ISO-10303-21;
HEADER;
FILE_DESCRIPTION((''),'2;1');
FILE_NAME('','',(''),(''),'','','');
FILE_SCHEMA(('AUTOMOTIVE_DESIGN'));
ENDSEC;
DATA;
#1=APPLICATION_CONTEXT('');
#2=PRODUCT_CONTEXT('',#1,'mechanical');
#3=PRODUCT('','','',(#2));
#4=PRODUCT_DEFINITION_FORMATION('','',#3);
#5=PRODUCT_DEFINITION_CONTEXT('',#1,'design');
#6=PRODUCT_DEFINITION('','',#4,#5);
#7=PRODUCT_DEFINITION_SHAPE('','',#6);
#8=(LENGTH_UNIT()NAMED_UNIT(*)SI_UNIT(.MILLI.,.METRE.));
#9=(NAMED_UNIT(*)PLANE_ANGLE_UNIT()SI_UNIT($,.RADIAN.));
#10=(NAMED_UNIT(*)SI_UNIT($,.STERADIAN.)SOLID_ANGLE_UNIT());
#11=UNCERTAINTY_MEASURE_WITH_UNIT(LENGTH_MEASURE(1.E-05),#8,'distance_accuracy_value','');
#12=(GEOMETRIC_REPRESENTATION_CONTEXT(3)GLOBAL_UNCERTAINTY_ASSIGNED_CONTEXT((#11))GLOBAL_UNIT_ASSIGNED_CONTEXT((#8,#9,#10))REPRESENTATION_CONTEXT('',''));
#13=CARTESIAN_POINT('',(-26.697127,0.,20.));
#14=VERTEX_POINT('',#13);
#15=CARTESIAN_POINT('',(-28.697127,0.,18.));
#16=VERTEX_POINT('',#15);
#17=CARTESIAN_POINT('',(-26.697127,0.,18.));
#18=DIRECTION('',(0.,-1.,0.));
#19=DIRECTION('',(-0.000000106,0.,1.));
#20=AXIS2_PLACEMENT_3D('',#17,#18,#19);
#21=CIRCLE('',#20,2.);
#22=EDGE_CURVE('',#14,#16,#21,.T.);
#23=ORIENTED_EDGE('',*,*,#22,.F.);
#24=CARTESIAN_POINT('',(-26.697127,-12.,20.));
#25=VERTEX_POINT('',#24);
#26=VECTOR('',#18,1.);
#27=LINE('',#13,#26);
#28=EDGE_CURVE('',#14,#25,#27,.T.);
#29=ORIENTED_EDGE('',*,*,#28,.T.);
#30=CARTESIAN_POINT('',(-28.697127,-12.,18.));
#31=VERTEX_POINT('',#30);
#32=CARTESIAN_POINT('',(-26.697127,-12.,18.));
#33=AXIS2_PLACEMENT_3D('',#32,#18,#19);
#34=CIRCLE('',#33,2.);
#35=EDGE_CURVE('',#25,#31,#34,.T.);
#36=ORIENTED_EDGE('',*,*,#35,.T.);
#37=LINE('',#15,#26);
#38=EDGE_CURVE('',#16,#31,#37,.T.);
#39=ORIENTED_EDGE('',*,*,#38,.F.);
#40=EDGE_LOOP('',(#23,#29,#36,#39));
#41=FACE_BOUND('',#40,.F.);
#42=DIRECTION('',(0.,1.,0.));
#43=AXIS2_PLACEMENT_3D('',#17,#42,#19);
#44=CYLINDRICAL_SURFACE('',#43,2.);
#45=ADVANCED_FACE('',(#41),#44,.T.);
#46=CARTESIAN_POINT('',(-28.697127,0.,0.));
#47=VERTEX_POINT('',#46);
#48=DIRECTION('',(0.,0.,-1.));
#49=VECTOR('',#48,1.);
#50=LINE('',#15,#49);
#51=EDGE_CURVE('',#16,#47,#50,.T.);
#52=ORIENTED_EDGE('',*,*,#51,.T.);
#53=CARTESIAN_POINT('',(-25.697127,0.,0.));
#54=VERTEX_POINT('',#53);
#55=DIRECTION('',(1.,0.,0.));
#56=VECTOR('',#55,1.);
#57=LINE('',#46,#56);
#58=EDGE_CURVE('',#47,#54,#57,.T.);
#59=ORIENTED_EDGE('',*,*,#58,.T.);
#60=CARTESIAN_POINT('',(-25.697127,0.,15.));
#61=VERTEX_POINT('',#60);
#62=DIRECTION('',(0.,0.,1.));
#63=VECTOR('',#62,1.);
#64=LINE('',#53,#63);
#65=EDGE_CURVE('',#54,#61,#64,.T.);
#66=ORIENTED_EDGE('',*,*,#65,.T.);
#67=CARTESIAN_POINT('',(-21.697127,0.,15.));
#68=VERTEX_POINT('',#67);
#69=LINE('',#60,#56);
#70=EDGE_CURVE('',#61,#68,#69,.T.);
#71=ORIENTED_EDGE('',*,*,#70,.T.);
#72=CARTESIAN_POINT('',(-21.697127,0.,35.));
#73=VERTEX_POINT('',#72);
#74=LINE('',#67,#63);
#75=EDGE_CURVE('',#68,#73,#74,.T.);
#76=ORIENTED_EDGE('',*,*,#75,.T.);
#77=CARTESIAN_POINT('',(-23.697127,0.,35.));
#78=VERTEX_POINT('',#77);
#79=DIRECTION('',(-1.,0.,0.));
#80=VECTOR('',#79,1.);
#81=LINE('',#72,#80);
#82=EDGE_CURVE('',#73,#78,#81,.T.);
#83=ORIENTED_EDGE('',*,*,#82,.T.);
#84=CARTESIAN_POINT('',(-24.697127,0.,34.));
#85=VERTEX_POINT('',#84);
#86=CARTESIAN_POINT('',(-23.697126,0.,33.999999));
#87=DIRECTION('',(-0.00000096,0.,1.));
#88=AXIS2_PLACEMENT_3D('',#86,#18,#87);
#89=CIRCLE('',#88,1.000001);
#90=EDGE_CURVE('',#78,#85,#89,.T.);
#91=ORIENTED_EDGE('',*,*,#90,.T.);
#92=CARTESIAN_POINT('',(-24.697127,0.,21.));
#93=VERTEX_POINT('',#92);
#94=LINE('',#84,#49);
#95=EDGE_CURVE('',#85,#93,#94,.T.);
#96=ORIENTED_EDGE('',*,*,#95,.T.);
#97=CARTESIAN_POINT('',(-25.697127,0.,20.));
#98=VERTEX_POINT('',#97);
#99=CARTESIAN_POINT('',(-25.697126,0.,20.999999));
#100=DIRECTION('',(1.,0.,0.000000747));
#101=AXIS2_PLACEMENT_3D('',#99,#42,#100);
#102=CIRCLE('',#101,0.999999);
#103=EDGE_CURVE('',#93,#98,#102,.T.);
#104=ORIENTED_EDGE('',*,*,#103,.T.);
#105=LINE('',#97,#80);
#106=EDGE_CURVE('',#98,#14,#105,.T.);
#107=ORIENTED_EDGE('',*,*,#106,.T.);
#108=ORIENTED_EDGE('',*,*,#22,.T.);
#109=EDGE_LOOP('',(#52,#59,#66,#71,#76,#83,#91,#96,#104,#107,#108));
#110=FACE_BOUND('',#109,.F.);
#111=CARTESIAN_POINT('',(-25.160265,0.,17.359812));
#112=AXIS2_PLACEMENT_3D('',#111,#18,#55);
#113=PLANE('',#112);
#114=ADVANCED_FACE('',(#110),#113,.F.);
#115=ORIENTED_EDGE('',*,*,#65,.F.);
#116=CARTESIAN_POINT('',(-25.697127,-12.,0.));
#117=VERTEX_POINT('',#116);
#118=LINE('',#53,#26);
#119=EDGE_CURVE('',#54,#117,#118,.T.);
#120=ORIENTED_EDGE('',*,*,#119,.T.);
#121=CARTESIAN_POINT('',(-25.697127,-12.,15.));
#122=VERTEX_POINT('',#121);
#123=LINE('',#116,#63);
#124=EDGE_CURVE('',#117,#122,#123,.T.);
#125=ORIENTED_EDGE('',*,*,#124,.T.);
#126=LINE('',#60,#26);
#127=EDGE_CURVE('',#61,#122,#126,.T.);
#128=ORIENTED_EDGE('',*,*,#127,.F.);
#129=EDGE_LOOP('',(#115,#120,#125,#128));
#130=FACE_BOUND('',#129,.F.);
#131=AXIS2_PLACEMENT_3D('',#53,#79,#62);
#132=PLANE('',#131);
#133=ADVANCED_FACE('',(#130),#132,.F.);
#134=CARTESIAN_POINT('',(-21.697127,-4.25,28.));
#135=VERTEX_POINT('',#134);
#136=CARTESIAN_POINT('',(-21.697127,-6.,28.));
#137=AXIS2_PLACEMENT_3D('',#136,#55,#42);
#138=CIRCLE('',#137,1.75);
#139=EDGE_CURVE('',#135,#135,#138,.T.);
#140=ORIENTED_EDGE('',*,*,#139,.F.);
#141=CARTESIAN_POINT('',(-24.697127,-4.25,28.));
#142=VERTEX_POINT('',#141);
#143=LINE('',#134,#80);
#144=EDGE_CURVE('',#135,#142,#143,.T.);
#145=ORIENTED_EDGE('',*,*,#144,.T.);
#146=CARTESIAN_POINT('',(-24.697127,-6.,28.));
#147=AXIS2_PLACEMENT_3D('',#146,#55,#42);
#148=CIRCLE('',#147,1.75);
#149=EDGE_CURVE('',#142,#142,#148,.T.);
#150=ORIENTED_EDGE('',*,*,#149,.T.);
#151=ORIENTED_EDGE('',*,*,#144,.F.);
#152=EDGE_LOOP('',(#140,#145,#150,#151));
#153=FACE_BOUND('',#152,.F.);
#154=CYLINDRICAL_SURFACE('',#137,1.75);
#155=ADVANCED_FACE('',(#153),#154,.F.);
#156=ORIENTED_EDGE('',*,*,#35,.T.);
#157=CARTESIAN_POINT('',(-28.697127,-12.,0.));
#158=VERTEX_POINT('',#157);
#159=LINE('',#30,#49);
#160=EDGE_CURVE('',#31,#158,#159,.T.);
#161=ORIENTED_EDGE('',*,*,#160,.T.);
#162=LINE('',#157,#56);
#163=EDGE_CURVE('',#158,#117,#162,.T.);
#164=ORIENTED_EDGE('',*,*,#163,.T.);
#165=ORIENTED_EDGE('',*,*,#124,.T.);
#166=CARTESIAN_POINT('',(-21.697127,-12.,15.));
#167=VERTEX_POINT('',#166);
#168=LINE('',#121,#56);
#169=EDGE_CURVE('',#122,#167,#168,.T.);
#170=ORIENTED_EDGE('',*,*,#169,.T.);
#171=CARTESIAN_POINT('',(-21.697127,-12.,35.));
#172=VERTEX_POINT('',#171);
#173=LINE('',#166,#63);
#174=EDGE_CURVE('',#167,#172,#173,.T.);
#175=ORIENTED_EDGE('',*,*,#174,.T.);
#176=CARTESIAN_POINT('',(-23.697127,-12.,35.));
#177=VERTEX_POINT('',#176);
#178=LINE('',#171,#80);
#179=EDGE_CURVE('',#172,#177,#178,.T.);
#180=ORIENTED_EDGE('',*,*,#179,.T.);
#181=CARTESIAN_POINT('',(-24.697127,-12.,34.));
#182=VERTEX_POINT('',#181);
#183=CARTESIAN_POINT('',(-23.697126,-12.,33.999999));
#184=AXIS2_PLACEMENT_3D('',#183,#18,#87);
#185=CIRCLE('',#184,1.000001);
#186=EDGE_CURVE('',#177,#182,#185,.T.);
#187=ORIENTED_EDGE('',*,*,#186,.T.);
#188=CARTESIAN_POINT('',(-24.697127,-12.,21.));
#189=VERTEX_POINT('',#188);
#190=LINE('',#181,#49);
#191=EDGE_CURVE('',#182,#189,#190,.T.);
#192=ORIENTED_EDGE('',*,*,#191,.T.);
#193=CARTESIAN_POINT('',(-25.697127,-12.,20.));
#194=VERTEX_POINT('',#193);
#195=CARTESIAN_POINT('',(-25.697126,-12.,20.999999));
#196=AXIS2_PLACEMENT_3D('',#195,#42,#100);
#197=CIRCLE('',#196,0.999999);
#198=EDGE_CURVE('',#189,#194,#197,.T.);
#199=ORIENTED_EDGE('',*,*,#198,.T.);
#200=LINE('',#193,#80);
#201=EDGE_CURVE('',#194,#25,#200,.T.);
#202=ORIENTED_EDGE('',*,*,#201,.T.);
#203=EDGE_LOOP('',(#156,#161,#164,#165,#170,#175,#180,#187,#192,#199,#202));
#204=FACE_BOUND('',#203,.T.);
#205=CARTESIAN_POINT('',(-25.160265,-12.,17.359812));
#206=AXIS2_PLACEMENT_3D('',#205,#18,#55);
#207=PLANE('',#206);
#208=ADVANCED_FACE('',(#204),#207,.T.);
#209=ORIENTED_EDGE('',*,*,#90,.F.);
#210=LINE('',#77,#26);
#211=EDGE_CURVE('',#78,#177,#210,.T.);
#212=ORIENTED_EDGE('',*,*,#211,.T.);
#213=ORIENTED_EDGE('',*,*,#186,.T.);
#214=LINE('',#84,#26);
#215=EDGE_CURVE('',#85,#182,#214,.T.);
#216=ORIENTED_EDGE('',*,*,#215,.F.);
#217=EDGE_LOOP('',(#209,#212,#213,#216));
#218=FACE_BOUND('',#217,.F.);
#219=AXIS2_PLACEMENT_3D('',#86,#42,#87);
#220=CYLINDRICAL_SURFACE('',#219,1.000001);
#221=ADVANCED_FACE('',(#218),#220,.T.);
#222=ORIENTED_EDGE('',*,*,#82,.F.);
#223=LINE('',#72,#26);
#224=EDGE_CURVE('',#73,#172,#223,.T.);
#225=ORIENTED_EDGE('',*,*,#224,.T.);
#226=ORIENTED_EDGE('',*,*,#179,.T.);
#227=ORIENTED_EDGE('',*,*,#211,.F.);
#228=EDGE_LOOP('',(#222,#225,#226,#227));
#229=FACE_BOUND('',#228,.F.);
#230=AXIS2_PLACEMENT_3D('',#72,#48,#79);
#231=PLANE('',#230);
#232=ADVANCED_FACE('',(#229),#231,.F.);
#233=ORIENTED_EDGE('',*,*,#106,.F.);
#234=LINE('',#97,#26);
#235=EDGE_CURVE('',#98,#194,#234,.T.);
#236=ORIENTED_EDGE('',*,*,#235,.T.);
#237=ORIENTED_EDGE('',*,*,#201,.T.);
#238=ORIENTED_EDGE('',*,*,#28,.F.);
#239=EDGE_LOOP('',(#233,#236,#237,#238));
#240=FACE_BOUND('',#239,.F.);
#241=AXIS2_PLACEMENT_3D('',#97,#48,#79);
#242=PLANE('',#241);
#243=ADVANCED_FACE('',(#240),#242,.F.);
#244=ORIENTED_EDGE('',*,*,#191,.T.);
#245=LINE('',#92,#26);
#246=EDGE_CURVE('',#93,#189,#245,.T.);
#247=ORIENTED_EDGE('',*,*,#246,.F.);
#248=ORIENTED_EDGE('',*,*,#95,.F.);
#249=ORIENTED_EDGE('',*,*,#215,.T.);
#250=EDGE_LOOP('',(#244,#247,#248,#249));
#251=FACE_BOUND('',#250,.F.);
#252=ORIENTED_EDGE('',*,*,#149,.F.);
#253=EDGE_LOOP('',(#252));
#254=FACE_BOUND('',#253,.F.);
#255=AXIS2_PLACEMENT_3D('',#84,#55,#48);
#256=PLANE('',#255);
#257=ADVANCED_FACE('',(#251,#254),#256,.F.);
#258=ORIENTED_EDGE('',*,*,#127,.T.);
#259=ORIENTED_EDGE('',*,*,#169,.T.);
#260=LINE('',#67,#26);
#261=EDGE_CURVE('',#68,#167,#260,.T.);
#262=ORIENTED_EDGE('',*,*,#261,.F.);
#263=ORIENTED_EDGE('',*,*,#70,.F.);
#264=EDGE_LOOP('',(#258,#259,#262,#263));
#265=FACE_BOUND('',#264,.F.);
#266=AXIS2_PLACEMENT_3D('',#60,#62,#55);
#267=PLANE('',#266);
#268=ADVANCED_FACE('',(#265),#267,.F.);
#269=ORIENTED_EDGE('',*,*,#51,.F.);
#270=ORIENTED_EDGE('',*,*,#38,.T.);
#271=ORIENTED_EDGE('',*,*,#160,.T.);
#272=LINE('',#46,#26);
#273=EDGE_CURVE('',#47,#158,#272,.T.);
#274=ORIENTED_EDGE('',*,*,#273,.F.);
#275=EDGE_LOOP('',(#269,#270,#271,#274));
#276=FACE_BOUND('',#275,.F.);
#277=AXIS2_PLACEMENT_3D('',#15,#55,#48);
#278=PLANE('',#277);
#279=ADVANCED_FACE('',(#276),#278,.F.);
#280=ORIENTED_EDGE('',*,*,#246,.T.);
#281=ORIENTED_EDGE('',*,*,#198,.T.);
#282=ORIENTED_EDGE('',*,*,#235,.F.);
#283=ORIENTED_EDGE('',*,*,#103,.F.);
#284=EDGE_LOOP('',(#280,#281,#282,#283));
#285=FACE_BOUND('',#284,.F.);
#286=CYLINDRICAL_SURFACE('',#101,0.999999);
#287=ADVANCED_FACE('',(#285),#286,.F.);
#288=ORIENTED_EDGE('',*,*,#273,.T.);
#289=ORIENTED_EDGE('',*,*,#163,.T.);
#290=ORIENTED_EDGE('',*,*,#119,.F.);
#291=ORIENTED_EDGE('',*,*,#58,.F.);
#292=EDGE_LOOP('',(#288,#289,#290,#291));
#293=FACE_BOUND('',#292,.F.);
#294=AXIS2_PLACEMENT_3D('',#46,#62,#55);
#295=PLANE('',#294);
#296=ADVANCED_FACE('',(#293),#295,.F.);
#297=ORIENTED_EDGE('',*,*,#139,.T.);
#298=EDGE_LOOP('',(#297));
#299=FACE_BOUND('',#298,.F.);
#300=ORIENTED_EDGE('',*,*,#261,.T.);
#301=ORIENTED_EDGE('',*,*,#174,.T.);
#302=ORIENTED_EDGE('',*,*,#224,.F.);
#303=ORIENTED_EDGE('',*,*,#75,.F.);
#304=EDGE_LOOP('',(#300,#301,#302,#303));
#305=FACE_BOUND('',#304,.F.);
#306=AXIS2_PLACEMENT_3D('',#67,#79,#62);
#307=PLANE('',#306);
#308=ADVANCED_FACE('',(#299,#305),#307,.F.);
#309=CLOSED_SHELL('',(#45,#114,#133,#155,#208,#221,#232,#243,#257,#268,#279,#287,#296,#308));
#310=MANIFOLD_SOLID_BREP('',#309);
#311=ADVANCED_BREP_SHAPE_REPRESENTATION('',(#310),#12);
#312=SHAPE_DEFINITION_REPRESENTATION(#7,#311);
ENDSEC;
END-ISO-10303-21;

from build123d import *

# Parameters (mm, degrees)
F1_DEPTH = 12
F2_R     = 1.75
F3_DEPTH = 7.001


with BuildPart() as f1:
    # F0 (on Front) → F1 (new body)
    with BuildSketch(Plane.XZ):
        with BuildLine():
            Line((-28.697127, 0), (-25.697127, 0))
            Line((-25.697127, 0), (-25.697127, 15))
            Line((-25.697127, 15), (-21.697127, 15))
            Line((-21.697127, 15), (-21.697127, 35))
            Line((-21.697127, 35), (-23.697127, 35))
            ThreePointArc((-23.697127, 35), (-24.404233, 34.707107), (-24.697127, 34))
            Line((-24.697127, 34), (-24.697127, 21))
            ThreePointArc((-24.697127, 21), (-24.99002, 20.292893), (-25.697127, 20))
            Line((-25.697127, 20), (-26.697127, 20))
            ThreePointArc((-26.697127, 20), (-28.11134, 19.414214), (-28.697127, 18))
            Line((-28.697127, 18), (-28.697127, 0))
        make_face()
    extrude(amount=F1_DEPTH)

    # F2 (on face) → F3 (cut, through all)
    with BuildSketch(Plane.YZ.offset(-21.697127)):
        with Locations((-6, 28)):
            Circle(F2_R)
    extrude(amount=-F3_DEPTH, mode=Mode.SUBTRACT)


solid = f1.part
